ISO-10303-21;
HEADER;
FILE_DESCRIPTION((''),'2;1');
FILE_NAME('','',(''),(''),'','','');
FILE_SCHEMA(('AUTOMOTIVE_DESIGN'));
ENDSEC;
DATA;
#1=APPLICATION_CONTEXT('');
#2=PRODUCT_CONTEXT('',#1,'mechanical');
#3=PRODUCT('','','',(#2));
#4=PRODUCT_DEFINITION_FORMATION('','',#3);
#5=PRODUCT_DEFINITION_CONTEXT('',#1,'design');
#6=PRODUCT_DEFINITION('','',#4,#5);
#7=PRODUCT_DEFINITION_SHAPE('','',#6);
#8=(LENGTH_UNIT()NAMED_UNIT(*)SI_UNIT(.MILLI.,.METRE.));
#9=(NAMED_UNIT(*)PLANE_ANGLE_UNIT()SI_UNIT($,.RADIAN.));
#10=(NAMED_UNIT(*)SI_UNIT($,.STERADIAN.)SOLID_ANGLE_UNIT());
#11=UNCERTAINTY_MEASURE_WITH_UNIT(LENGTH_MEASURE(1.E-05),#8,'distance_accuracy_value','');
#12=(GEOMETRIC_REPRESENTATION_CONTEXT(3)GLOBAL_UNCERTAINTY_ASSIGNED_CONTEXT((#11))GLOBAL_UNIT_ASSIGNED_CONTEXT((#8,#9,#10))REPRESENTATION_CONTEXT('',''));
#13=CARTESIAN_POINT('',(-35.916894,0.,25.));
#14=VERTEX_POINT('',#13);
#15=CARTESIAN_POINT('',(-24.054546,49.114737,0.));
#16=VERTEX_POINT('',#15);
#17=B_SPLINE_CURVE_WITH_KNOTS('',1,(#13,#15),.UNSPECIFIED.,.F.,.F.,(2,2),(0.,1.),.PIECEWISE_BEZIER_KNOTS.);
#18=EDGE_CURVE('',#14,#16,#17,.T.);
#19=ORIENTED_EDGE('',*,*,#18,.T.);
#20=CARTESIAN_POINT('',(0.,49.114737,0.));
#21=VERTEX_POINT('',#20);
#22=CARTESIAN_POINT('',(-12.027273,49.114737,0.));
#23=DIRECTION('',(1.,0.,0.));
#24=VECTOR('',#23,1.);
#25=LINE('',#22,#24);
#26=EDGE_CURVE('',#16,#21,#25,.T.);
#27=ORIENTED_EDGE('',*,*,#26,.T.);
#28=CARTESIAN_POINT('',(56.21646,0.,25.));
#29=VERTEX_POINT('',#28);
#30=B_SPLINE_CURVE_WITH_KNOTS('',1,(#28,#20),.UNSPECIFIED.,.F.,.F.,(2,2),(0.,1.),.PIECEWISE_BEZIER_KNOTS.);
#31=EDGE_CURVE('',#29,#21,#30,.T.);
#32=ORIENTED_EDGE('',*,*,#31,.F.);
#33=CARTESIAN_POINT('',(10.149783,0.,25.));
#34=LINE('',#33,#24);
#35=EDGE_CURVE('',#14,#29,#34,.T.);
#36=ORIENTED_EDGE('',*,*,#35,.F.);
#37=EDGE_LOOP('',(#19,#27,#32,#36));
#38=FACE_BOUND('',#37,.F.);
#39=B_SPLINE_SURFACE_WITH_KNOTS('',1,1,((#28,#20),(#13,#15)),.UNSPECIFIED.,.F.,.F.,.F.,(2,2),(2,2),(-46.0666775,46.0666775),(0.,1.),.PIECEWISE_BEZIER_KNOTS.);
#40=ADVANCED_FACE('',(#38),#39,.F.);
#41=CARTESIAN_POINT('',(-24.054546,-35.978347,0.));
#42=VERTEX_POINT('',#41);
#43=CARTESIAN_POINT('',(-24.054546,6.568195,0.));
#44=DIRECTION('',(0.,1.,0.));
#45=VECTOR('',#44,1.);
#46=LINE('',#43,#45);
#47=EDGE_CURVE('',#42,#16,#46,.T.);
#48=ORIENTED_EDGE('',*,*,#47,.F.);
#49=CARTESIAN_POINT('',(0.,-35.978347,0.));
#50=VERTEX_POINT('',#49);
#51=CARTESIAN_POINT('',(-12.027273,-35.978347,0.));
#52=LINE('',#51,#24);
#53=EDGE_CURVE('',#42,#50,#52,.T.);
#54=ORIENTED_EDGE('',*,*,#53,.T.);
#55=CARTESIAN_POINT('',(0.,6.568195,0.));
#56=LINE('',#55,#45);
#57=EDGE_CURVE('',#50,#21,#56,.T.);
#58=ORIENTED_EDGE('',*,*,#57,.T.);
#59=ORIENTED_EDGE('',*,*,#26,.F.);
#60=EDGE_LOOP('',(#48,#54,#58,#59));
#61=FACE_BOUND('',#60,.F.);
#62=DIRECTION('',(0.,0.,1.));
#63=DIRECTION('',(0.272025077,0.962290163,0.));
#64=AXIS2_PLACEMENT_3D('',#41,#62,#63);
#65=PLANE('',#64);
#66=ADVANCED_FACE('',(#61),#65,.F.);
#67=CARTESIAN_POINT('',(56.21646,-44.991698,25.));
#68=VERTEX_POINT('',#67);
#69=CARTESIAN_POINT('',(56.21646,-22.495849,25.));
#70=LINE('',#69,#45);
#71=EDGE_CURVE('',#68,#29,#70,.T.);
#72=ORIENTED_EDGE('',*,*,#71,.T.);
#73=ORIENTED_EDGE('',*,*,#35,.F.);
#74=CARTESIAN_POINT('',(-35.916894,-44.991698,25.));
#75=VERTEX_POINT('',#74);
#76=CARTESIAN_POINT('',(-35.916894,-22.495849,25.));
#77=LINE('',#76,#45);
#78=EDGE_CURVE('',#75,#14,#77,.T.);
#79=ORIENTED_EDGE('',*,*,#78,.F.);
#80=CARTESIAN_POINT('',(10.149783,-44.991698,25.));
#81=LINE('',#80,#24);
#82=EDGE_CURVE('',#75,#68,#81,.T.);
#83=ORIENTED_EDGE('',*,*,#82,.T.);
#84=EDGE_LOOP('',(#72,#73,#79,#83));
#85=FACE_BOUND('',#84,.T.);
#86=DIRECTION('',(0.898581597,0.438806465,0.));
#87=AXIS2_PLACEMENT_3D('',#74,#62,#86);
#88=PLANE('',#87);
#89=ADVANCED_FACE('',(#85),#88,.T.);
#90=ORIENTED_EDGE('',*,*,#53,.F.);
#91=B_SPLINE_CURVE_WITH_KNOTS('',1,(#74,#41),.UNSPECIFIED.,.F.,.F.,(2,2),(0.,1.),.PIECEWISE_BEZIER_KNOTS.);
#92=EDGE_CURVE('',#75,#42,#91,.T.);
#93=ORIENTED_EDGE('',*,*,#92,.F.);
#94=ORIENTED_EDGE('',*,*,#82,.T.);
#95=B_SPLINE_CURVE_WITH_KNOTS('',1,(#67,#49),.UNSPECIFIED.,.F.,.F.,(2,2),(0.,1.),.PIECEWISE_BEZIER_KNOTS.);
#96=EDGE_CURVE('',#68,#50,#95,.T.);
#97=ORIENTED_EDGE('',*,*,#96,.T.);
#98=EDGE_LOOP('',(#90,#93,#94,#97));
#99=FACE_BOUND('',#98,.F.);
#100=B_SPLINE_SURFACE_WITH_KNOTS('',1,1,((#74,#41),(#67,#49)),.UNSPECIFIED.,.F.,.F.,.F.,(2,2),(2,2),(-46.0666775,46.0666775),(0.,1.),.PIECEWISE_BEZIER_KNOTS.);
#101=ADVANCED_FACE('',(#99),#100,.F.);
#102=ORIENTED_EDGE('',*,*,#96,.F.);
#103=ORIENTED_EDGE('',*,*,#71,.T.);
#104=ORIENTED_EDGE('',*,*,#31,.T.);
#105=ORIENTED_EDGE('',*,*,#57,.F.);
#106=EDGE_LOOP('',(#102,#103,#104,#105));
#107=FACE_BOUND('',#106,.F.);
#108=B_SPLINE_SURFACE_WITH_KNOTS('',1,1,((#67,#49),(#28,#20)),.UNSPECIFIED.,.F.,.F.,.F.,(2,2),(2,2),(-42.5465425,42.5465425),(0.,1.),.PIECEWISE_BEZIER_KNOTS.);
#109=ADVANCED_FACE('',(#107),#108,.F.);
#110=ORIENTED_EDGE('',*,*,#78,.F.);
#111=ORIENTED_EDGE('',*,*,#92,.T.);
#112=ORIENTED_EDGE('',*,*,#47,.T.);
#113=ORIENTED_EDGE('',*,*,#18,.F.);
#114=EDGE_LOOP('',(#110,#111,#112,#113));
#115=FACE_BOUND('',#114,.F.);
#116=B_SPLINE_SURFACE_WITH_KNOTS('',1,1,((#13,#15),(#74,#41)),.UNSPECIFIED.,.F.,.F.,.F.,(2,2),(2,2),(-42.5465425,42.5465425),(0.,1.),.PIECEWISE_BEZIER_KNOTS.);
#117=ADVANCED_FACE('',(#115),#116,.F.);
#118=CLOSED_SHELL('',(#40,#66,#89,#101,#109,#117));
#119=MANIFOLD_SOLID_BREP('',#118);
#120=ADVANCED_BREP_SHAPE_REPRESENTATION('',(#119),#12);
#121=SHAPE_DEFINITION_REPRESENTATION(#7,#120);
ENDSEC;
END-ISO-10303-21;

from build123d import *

# Parameters (mm, degrees)
F2_W = 92.133355
F2_H = 44.991698
F0_W = 24.054546
F0_H = 85.093085


with BuildPart() as f3:
    # F2 (on offset) → F3 section 0
    with BuildSketch(Plane.XY.offset(25)):
        with Locations((10.149783, -22.495849)):
            Rectangle(F2_W, F2_H)
    # F0 (on Top) → F3 section 1
    with BuildSketch(Plane.XY):
        with Locations((-12.027273, 6.568195)):
            Rectangle(F0_W, F0_H)
    loft()


solid = f3.part
